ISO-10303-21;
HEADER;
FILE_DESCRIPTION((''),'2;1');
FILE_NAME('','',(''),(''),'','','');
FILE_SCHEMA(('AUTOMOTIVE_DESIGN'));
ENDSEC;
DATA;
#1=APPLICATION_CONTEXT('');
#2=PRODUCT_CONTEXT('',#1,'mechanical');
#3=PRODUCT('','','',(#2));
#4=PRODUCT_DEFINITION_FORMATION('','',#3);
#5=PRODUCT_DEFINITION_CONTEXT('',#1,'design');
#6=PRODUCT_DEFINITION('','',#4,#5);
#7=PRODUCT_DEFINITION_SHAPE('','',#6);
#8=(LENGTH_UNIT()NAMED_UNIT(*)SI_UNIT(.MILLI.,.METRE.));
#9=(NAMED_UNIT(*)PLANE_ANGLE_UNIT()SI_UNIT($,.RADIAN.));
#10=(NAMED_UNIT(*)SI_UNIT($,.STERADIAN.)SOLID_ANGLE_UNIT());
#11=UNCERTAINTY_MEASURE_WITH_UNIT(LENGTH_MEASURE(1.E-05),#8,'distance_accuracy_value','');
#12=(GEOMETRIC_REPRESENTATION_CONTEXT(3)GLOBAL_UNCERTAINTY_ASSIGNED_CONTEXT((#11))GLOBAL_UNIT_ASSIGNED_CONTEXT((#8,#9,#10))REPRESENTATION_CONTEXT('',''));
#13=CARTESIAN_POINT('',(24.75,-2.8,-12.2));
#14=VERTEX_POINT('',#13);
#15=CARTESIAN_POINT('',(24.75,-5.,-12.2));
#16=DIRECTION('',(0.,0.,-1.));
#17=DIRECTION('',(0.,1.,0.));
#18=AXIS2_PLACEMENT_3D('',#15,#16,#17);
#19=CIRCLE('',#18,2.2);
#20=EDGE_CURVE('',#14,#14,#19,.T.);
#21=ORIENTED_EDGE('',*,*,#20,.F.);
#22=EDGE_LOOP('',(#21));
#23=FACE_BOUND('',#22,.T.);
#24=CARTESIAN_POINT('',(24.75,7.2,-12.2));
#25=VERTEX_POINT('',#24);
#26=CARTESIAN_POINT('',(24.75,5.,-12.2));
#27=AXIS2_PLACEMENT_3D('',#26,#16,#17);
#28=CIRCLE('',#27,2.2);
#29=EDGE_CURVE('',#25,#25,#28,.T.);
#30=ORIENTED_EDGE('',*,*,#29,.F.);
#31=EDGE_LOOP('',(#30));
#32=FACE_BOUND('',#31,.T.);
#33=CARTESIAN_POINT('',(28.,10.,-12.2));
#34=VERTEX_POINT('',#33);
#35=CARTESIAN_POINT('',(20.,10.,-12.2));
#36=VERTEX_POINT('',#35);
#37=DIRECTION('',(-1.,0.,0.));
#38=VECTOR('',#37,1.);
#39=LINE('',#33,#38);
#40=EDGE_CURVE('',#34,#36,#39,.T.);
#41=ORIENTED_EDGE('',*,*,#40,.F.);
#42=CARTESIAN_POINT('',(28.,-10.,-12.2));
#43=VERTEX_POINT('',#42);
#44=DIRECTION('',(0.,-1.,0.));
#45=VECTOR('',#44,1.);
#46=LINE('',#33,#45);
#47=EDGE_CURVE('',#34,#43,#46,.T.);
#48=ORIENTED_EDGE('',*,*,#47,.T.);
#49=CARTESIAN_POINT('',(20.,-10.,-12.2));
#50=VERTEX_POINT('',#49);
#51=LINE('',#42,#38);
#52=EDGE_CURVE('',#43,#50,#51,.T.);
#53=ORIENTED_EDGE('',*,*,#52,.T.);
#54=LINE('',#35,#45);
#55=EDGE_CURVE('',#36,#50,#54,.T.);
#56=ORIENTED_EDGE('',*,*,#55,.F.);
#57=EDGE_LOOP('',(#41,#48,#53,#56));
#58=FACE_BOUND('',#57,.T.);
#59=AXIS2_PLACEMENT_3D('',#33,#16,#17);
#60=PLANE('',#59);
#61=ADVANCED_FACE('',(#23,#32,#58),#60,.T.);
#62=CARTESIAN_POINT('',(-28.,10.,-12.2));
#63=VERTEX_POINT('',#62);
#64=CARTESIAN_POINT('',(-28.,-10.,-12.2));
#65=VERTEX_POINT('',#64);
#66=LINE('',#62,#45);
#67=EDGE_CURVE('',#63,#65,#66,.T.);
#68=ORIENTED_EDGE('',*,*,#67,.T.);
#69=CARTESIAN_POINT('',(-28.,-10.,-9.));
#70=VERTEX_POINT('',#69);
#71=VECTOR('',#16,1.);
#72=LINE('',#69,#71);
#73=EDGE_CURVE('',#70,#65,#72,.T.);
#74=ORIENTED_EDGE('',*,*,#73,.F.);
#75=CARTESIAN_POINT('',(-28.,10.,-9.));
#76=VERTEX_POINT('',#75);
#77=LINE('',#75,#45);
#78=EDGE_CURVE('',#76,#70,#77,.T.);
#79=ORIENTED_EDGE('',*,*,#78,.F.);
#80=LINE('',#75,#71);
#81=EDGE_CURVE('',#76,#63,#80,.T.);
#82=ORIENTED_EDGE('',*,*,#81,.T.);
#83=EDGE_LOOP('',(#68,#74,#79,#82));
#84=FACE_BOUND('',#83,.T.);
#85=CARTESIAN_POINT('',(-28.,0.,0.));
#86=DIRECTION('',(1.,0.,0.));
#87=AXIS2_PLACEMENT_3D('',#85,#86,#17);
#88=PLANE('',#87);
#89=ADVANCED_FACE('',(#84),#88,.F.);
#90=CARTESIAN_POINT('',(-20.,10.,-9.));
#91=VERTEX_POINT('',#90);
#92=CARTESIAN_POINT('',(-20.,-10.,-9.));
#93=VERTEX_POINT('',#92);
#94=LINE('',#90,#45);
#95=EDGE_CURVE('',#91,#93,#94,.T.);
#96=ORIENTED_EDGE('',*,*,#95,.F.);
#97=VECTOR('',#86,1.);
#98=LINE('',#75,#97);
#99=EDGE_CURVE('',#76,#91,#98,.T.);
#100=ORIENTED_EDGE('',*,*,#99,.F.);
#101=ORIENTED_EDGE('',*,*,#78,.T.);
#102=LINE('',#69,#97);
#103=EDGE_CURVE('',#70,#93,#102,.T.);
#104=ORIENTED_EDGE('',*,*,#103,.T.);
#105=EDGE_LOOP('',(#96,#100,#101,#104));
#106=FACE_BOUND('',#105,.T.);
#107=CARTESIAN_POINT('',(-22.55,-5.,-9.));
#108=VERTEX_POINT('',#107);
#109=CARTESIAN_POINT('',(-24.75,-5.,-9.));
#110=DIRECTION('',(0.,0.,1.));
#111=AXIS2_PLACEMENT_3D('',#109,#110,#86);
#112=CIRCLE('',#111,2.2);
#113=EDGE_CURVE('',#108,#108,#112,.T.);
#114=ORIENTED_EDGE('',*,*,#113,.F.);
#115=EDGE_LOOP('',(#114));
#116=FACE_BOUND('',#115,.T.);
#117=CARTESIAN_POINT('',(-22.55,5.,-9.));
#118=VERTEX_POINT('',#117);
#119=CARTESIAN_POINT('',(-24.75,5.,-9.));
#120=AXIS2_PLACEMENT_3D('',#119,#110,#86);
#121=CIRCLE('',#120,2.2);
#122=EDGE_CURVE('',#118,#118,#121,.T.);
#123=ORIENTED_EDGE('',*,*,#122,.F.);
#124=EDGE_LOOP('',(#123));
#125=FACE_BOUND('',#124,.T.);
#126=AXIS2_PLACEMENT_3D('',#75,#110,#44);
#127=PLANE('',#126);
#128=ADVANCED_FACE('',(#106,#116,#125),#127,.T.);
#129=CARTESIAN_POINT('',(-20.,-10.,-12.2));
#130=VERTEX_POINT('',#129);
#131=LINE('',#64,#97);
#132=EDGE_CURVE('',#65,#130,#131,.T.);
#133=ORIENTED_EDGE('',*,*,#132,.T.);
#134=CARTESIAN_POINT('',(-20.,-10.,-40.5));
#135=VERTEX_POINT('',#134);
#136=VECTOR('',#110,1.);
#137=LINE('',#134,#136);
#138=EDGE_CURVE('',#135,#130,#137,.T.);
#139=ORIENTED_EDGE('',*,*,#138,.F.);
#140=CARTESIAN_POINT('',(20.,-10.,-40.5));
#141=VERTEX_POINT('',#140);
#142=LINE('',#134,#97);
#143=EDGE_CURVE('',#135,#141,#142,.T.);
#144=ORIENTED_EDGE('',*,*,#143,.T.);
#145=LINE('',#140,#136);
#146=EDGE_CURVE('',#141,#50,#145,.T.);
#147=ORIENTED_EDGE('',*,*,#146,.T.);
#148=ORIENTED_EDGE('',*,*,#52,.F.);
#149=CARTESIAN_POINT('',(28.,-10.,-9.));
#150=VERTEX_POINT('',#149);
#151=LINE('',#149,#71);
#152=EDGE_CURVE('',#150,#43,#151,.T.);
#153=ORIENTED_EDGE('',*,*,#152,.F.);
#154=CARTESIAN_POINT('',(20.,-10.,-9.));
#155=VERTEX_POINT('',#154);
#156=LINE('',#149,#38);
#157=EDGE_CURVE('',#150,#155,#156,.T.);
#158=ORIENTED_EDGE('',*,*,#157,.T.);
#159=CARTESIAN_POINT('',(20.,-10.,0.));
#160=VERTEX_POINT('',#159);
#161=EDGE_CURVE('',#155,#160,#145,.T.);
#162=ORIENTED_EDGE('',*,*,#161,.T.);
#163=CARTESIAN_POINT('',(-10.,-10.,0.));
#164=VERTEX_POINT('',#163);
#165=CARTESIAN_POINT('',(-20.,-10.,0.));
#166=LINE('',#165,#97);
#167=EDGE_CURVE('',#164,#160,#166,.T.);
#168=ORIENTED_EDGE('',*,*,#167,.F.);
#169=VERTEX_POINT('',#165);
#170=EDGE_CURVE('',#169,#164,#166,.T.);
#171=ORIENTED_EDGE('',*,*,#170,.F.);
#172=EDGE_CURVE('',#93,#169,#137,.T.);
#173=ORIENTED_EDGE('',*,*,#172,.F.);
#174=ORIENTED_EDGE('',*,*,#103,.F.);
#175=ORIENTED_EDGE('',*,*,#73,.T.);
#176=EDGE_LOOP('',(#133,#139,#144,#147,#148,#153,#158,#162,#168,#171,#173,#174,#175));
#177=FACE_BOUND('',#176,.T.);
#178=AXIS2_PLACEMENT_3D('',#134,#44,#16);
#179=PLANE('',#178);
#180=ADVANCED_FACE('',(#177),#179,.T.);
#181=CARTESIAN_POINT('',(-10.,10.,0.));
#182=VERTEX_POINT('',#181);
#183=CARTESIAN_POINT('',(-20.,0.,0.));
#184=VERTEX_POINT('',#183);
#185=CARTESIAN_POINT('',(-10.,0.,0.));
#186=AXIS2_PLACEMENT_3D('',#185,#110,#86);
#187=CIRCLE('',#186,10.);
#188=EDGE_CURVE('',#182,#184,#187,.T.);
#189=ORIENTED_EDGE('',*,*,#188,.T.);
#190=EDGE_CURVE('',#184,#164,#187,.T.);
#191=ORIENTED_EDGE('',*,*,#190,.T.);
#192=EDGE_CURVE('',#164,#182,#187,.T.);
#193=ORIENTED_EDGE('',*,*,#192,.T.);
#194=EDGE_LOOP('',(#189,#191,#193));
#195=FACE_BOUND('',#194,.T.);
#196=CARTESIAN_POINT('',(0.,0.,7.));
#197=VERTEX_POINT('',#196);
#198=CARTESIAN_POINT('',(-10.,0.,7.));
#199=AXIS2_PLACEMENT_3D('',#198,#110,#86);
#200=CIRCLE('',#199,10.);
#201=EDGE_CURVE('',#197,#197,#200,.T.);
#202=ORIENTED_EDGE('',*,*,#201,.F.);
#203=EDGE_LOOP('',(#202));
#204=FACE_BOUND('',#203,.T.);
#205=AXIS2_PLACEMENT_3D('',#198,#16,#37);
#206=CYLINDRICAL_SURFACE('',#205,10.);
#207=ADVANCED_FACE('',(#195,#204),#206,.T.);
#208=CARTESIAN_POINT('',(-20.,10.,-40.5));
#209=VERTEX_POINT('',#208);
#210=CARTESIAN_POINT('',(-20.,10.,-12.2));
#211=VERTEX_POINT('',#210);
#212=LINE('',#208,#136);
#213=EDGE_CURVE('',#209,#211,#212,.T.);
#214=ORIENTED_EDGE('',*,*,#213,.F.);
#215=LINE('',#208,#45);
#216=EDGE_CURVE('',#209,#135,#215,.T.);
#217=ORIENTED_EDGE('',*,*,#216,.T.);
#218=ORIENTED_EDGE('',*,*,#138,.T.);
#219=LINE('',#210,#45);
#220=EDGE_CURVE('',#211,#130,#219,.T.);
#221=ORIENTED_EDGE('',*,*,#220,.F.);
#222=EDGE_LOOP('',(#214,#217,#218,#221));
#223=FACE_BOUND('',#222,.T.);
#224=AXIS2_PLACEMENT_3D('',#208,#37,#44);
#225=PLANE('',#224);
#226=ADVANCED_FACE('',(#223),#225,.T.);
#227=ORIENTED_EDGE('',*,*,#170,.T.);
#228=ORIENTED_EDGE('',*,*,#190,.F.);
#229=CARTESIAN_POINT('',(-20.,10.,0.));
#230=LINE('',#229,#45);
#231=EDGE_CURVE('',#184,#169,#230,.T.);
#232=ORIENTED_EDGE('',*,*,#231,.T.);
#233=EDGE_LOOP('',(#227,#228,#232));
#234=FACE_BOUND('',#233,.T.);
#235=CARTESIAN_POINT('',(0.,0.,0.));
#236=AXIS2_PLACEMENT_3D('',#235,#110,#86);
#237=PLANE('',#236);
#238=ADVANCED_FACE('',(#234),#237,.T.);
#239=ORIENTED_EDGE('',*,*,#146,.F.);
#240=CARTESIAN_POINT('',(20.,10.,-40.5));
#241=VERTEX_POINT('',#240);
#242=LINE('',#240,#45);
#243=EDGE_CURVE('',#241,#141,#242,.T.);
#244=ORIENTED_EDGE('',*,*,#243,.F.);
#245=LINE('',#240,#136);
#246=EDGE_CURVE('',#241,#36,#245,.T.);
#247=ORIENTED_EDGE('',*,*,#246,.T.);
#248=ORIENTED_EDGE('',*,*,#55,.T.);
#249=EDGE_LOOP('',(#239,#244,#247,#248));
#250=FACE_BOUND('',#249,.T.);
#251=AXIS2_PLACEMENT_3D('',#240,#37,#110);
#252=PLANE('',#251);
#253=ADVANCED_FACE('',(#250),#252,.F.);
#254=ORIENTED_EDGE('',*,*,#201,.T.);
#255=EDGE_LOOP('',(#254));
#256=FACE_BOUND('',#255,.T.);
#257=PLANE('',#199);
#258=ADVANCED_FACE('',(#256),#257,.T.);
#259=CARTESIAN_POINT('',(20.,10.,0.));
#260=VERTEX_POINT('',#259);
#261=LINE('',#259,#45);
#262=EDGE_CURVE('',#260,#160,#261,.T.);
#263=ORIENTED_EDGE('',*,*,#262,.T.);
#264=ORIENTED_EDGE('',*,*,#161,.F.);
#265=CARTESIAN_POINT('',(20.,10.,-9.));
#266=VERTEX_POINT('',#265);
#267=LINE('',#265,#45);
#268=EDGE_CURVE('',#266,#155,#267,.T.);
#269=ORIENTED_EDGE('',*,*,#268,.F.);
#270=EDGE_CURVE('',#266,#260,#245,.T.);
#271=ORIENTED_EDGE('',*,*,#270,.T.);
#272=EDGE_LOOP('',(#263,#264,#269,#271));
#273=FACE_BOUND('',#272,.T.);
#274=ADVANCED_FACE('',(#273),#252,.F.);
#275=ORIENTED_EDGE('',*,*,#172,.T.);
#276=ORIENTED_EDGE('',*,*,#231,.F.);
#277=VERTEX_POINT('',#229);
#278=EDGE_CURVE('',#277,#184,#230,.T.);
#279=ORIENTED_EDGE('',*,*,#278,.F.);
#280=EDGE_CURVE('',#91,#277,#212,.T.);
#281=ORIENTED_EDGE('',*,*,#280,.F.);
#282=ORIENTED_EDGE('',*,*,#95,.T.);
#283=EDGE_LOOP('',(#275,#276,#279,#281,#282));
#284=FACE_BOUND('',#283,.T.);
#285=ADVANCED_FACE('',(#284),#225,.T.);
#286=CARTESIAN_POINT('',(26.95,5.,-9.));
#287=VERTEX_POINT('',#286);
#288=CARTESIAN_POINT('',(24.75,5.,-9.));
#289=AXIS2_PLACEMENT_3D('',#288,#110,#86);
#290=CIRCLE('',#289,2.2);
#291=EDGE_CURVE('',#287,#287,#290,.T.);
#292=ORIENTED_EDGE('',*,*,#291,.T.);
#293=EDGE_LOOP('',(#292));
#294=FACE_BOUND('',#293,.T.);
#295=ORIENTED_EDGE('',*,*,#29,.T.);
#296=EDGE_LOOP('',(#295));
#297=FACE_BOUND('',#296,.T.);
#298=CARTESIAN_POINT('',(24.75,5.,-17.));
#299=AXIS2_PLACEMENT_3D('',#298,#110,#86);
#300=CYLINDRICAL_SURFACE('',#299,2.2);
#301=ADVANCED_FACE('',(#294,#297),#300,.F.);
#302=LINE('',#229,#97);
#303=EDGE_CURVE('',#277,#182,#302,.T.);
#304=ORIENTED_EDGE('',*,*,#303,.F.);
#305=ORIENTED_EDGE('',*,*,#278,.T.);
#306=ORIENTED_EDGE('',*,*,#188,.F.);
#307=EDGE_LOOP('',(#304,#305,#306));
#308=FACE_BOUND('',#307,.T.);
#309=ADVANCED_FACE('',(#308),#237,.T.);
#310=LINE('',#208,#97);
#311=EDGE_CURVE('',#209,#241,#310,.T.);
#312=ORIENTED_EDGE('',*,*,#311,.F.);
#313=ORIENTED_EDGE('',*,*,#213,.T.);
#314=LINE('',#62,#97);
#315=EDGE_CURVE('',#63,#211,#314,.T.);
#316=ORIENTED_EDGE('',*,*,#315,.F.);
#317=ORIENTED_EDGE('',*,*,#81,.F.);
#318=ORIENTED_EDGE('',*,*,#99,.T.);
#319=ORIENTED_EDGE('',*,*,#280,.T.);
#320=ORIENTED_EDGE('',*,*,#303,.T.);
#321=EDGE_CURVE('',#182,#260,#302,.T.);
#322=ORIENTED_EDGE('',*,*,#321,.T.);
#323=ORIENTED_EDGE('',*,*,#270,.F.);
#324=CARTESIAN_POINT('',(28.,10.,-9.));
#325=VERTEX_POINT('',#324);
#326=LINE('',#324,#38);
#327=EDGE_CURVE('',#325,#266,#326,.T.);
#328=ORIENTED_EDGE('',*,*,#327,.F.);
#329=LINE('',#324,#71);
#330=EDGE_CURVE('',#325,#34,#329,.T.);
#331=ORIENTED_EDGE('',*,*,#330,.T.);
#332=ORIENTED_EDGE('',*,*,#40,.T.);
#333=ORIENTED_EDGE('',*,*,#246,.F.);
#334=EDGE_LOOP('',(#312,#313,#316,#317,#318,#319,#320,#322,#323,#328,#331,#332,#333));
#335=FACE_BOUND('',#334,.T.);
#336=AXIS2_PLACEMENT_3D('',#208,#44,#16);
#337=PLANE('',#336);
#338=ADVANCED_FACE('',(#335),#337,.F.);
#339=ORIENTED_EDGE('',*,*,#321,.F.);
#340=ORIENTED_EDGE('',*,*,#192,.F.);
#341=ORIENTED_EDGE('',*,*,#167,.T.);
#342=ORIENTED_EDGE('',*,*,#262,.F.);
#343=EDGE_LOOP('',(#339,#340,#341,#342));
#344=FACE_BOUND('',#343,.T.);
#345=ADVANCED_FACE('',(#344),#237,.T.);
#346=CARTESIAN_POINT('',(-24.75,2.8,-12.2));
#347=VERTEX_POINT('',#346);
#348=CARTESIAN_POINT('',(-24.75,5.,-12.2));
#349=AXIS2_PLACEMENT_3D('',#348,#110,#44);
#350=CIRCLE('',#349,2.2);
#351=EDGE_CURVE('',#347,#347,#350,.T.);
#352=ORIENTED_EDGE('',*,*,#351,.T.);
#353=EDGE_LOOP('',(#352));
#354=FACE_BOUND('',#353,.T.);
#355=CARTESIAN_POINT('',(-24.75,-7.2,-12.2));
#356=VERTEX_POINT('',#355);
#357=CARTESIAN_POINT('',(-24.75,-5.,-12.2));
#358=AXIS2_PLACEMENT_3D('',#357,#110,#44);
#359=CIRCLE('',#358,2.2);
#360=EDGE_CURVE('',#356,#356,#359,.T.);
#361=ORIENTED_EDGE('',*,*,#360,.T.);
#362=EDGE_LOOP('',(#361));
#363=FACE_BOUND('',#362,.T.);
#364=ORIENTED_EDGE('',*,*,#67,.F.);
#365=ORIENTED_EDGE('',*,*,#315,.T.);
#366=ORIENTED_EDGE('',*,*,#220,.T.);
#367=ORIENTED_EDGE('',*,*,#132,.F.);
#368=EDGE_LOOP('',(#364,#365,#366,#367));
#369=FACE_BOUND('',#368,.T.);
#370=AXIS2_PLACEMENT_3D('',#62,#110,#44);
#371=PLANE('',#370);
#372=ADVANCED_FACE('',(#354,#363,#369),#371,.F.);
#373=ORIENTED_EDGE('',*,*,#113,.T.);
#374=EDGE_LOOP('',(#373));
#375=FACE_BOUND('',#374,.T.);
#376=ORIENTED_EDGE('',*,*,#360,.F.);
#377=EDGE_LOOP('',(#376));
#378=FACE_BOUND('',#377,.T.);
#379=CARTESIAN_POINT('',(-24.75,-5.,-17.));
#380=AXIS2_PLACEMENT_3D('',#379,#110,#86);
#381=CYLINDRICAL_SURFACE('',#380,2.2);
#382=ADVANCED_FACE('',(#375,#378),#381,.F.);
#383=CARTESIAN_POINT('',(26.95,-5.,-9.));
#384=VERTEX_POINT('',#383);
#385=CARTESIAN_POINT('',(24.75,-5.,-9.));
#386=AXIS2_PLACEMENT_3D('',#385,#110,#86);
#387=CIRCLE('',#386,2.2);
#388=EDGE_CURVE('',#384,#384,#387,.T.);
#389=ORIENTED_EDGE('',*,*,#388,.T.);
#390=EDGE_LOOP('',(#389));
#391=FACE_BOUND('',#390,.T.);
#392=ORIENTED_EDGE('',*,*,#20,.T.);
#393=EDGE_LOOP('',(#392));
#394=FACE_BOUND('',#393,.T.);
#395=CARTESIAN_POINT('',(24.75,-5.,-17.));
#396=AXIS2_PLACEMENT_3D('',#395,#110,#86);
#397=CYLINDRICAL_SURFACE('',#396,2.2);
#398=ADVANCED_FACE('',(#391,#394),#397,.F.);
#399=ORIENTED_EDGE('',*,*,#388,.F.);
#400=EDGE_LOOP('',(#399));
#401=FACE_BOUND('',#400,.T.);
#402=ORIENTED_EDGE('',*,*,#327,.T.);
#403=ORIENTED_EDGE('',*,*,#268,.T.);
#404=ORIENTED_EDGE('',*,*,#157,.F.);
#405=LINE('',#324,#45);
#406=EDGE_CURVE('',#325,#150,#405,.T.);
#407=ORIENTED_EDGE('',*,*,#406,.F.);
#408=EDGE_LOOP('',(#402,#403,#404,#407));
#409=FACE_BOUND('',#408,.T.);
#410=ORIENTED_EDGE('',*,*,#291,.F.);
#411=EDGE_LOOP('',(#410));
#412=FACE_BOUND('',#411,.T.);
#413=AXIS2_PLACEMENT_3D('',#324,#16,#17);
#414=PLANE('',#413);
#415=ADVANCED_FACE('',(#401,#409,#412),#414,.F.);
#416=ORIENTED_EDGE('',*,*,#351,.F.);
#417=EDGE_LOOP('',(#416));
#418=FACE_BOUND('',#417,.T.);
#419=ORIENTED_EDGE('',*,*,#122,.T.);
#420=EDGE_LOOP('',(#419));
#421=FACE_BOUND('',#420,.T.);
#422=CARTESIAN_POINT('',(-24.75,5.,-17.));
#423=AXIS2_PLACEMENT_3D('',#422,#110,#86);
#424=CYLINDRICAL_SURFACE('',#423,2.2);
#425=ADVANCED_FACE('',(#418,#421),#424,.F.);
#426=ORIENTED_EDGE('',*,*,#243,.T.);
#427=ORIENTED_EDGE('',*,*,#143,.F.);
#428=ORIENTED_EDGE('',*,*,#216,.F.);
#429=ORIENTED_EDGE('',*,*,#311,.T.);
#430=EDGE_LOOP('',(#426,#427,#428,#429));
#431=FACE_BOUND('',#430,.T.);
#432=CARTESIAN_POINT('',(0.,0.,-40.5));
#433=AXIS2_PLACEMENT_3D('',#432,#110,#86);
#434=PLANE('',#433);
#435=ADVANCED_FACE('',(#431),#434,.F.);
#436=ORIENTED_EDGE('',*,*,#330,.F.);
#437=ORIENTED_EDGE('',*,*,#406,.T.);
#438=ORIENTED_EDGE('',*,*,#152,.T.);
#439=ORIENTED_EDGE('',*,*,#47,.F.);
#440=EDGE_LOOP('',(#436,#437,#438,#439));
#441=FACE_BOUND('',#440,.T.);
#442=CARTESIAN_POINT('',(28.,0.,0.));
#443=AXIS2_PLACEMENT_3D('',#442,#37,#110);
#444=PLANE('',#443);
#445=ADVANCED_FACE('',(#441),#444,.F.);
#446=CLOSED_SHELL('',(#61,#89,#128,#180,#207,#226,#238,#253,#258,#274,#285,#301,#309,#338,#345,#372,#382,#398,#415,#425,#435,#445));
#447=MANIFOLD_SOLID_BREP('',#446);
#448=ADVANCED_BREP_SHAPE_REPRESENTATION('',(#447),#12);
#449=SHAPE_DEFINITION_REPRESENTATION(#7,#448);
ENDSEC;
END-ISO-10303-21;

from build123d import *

# Parameters (mm, degrees)
SKETCH1_W           = 40
SKETCH1_H           = 20
BOSS_EXTRUDE1_DEPTH = 40.5
SKETCH2_R           = 10
BOSS_EXTRUDE2_DEPTH = 7
SKETCH3_W           = 3.2
SKETCH3_H           = 20
BOSS_EXTRUDE3_DEPTH = 8
SKETCH4_W           = 3.2
SKETCH4_H           = 20
BOSS_EXTRUDE4_DEPTH = 8
SKETCH6_R           = 2.2
CUT_EXTRUDE1_DEPTH  = 8
SKETCH8_R           = 2.2
CUT_EXTRUDE3_DEPTH  = 8


with BuildPart() as part:
    # Sketch1 → Boss-Extrude1 (new body)
    with BuildSketch(Plane.XY):
        Rectangle(SKETCH1_W, SKETCH1_H)
    extrude(amount=-BOSS_EXTRUDE1_DEPTH)

    # Sketch2 → Boss-Extrude2 (add)
    with BuildSketch(Plane.XY):
        with Locations(Location((-10, 0, 0), (0, 0, 180))):
            Circle(SKETCH2_R)
    extrude(amount=BOSS_EXTRUDE2_DEPTH)

    # Sketch3 → Boss-Extrude3 (add)
    with BuildSketch(Plane.ZY.offset(20)):
        with Locations((-10.6, 0)):
            Rectangle(SKETCH3_W, SKETCH3_H)
    extrude(amount=BOSS_EXTRUDE3_DEPTH)

    # Sketch4 → Boss-Extrude4 (add)
    with BuildSketch(Plane(origin=(20, 0, 0), x_dir=(0, 0, -1), z_dir=(1, 0, 0))):
        with Locations((10.6, 0)):
            Rectangle(SKETCH4_W, SKETCH4_H)
    extrude(amount=BOSS_EXTRUDE4_DEPTH)

    # Sketch6 → Cut-Extrude1 (cut)
    with BuildSketch(Plane.XY.offset(-9)):
        with Locations((-24.75, 5)):
            Circle(SKETCH6_R)
        with Locations((-24.75, -5)):
            Circle(SKETCH6_R)
    extrude(amount=-CUT_EXTRUDE1_DEPTH, mode=Mode.SUBTRACT)

    # Sketch8 → Cut-Extrude3 (cut)
    with BuildSketch(Plane.XY.offset(-9)):
        with Locations((24.75, 5)):
            Circle(SKETCH8_R)
        with Locations((24.75, -5)):
            Circle(SKETCH8_R)
    extrude(amount=-CUT_EXTRUDE3_DEPTH, mode=Mode.SUBTRACT)


solid = part.part
